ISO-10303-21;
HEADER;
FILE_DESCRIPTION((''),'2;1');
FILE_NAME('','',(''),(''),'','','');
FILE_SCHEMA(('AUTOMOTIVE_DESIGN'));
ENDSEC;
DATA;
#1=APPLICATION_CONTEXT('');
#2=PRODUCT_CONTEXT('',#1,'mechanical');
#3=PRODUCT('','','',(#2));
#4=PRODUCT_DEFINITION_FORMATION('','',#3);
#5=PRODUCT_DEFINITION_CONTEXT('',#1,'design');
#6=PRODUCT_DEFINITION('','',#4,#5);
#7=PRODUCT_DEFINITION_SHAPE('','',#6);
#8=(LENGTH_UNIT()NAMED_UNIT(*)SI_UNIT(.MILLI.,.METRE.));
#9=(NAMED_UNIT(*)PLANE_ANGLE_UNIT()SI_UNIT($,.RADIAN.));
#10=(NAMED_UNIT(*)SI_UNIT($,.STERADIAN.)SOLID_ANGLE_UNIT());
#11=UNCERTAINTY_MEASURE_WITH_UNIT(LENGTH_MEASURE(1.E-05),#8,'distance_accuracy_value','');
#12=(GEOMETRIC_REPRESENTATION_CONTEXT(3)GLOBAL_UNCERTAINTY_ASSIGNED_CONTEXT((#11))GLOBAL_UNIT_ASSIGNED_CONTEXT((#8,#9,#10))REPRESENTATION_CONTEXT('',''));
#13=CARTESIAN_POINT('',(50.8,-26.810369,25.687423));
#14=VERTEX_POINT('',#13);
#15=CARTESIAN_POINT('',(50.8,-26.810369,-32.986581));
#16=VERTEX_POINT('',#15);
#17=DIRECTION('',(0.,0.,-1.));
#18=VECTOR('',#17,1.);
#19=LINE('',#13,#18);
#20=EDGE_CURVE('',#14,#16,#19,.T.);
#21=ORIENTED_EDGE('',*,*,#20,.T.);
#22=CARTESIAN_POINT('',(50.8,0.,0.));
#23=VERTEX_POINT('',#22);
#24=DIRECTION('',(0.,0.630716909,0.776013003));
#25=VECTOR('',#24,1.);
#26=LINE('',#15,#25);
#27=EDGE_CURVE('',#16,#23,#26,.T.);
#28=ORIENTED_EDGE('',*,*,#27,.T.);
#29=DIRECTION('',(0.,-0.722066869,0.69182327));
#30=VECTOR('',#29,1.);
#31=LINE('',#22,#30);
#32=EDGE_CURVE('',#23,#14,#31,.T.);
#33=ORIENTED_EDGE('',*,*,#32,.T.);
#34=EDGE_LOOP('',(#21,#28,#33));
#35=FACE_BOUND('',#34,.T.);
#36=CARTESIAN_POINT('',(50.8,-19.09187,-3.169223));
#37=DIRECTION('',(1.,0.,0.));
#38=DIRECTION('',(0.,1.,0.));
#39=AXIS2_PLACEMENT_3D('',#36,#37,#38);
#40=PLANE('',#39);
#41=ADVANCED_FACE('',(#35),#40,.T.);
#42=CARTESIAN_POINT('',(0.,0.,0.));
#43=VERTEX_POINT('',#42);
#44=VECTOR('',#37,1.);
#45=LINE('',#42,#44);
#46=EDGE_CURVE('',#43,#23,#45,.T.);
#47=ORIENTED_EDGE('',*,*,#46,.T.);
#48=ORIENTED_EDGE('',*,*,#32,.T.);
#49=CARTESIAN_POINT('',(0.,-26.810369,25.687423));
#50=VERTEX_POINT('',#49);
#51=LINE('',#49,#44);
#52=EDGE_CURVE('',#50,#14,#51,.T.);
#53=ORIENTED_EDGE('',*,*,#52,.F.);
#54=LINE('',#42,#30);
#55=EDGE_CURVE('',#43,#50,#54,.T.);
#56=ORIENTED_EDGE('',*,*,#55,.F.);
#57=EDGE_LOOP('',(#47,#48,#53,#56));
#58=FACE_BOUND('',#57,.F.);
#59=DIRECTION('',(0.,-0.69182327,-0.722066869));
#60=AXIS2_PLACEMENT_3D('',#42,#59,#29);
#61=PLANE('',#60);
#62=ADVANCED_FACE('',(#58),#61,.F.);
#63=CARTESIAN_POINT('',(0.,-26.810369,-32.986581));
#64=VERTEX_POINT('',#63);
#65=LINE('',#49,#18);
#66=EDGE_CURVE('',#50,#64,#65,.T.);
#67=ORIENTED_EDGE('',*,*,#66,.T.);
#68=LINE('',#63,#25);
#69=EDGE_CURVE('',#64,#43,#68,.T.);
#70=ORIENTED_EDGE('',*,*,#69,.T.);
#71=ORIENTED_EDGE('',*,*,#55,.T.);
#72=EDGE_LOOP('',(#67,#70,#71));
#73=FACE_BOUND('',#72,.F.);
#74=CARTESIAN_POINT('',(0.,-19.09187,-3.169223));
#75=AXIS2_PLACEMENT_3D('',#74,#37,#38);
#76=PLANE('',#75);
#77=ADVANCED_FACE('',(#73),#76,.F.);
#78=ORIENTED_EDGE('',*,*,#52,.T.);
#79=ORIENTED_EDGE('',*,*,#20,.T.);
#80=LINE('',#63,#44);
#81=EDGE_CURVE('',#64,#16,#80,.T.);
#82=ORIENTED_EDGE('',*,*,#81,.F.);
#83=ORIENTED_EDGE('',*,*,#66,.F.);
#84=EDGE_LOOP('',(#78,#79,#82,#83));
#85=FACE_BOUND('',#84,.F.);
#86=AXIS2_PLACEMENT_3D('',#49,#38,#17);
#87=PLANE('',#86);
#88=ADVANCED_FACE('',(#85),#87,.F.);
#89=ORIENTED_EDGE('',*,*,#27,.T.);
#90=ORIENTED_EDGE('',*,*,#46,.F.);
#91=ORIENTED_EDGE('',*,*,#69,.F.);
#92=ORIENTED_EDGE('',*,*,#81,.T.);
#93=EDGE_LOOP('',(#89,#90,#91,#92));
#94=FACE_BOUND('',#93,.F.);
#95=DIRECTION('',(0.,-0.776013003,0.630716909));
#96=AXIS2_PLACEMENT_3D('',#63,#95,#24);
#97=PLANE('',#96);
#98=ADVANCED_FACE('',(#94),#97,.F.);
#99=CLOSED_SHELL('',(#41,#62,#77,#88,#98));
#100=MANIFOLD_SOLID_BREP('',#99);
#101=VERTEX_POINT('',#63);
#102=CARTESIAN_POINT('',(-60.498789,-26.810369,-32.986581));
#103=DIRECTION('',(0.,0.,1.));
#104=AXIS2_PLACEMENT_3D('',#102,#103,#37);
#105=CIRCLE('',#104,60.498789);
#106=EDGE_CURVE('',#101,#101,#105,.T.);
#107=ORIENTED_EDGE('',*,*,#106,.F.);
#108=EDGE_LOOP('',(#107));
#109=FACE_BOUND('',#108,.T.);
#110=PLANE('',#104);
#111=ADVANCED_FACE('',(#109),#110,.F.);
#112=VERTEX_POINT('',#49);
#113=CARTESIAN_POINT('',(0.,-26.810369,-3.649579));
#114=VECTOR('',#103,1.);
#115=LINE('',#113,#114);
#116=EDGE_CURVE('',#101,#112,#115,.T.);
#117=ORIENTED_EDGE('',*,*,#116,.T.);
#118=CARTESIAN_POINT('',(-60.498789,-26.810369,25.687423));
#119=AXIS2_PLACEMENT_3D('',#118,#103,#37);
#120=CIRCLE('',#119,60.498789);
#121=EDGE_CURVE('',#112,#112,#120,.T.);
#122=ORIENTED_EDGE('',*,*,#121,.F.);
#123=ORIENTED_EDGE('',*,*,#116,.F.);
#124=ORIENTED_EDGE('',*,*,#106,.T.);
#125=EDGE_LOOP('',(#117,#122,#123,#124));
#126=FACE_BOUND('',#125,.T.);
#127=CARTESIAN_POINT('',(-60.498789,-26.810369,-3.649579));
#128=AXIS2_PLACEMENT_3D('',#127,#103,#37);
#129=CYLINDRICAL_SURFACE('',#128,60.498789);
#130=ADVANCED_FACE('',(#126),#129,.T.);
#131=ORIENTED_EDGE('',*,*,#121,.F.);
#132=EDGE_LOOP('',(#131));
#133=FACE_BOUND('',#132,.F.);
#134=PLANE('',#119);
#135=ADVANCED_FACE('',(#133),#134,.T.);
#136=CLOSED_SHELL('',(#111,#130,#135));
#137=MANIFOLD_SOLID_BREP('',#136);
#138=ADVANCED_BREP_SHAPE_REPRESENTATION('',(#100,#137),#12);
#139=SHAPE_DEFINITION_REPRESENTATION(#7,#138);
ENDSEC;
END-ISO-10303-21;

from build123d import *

# Parameters (mm, degrees)
F1_DEPTH = 50.8
F2_W     = 60.4987889528
F2_H     = 58.6740039289


with BuildPart() as f1:
    # F0 (on Right) → F1 (new body)
    with BuildSketch(Plane.YZ):
        Polygon((-26.810368523, -32.9865813255), (0, 0), (-26.810368523, 25.6874226034), align=None)
    extrude(amount=F1_DEPTH)


with BuildPart() as f3:
    # F2 (on face) → F3 (revolve)
    with BuildSketch(Plane.XZ.offset(26.810368523)):
        with Locations((-30.2493944764, -3.6495793611)):
            Rectangle(F2_W, F2_H)
    revolve(axis=Axis((-60.4987889528, -26.810368523, -3.6495793611), (0, 0, 1)))


solid = Compound([f1.part, f3.part])
